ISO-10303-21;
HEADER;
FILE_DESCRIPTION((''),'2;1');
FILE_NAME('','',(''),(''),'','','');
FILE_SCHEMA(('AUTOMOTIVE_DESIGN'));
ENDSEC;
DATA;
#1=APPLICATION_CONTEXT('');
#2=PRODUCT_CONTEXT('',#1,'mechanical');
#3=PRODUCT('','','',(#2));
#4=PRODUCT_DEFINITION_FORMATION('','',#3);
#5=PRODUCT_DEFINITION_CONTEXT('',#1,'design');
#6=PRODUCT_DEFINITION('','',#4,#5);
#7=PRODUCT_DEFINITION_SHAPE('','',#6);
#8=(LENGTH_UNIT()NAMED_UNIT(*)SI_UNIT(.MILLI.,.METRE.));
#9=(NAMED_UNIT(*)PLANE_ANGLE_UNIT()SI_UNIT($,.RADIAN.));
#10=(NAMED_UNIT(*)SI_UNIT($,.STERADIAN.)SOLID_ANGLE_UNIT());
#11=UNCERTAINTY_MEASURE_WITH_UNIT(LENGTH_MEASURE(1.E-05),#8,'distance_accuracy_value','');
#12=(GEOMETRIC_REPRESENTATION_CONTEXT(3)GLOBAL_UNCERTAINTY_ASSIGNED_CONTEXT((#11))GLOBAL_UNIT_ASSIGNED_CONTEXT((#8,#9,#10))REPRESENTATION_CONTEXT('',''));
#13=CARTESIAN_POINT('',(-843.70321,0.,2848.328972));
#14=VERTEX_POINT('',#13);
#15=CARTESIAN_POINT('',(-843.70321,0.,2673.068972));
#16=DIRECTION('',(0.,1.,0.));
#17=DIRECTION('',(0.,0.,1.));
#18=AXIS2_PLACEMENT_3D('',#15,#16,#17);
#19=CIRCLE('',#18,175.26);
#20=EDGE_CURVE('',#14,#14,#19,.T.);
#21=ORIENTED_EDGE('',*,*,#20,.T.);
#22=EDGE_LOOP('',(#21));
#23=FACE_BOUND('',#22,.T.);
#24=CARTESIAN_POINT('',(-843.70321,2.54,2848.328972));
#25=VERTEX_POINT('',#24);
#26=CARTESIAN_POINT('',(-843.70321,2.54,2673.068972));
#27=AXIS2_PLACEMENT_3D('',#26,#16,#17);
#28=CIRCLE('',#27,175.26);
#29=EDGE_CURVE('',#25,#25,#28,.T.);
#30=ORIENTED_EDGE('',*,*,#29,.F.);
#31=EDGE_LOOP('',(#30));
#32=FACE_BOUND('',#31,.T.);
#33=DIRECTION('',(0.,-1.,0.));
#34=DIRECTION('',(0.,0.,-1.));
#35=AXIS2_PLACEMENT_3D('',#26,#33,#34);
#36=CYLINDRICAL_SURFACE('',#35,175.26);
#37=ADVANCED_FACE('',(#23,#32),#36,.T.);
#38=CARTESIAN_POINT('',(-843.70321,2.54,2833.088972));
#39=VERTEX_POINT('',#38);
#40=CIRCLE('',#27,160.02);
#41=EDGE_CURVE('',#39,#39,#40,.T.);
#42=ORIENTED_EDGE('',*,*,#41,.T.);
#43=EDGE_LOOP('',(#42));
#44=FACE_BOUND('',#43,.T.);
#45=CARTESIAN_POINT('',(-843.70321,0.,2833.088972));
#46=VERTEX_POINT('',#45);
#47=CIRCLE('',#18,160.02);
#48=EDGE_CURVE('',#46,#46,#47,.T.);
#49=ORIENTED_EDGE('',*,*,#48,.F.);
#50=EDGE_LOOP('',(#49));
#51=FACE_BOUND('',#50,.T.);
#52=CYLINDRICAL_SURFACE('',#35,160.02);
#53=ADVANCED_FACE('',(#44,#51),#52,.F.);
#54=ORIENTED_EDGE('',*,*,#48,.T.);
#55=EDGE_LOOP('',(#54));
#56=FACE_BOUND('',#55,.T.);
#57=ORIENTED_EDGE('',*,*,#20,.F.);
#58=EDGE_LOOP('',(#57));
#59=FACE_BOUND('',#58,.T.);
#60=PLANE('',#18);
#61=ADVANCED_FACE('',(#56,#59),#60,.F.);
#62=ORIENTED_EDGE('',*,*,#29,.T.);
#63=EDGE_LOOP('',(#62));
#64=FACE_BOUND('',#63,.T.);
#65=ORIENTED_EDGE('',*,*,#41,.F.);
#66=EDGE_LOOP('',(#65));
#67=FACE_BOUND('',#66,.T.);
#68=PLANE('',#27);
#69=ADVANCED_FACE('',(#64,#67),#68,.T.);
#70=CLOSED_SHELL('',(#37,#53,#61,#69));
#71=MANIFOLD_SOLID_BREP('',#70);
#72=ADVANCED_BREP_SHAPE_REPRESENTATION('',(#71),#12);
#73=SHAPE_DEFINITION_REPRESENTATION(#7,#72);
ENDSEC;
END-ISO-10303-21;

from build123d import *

# Parameters (mm, degrees)
SKETCH1_R           = 175.26
SKETCH1_R_2         = 160.02
BOSS_EXTRUDE1_DEPTH = 2.54


with BuildPart() as part:
    # Sketch1 → Boss-Extrude1 (new body)
    with BuildSketch(Plane(origin=(0, 0, 0), x_dir=(1, 0, 0), z_dir=(0, 1, 0))):
        with Locations(Location((-843.703209975, -2673.068972226, 0), (0, 0, 270))):
            Circle(SKETCH1_R)
        with Locations(Location((-843.703209975, -2673.068972226, 0), (0, 0, 270))):
            Circle(SKETCH1_R_2, mode=Mode.SUBTRACT)
    extrude(amount=BOSS_EXTRUDE1_DEPTH)


solid = part.part
